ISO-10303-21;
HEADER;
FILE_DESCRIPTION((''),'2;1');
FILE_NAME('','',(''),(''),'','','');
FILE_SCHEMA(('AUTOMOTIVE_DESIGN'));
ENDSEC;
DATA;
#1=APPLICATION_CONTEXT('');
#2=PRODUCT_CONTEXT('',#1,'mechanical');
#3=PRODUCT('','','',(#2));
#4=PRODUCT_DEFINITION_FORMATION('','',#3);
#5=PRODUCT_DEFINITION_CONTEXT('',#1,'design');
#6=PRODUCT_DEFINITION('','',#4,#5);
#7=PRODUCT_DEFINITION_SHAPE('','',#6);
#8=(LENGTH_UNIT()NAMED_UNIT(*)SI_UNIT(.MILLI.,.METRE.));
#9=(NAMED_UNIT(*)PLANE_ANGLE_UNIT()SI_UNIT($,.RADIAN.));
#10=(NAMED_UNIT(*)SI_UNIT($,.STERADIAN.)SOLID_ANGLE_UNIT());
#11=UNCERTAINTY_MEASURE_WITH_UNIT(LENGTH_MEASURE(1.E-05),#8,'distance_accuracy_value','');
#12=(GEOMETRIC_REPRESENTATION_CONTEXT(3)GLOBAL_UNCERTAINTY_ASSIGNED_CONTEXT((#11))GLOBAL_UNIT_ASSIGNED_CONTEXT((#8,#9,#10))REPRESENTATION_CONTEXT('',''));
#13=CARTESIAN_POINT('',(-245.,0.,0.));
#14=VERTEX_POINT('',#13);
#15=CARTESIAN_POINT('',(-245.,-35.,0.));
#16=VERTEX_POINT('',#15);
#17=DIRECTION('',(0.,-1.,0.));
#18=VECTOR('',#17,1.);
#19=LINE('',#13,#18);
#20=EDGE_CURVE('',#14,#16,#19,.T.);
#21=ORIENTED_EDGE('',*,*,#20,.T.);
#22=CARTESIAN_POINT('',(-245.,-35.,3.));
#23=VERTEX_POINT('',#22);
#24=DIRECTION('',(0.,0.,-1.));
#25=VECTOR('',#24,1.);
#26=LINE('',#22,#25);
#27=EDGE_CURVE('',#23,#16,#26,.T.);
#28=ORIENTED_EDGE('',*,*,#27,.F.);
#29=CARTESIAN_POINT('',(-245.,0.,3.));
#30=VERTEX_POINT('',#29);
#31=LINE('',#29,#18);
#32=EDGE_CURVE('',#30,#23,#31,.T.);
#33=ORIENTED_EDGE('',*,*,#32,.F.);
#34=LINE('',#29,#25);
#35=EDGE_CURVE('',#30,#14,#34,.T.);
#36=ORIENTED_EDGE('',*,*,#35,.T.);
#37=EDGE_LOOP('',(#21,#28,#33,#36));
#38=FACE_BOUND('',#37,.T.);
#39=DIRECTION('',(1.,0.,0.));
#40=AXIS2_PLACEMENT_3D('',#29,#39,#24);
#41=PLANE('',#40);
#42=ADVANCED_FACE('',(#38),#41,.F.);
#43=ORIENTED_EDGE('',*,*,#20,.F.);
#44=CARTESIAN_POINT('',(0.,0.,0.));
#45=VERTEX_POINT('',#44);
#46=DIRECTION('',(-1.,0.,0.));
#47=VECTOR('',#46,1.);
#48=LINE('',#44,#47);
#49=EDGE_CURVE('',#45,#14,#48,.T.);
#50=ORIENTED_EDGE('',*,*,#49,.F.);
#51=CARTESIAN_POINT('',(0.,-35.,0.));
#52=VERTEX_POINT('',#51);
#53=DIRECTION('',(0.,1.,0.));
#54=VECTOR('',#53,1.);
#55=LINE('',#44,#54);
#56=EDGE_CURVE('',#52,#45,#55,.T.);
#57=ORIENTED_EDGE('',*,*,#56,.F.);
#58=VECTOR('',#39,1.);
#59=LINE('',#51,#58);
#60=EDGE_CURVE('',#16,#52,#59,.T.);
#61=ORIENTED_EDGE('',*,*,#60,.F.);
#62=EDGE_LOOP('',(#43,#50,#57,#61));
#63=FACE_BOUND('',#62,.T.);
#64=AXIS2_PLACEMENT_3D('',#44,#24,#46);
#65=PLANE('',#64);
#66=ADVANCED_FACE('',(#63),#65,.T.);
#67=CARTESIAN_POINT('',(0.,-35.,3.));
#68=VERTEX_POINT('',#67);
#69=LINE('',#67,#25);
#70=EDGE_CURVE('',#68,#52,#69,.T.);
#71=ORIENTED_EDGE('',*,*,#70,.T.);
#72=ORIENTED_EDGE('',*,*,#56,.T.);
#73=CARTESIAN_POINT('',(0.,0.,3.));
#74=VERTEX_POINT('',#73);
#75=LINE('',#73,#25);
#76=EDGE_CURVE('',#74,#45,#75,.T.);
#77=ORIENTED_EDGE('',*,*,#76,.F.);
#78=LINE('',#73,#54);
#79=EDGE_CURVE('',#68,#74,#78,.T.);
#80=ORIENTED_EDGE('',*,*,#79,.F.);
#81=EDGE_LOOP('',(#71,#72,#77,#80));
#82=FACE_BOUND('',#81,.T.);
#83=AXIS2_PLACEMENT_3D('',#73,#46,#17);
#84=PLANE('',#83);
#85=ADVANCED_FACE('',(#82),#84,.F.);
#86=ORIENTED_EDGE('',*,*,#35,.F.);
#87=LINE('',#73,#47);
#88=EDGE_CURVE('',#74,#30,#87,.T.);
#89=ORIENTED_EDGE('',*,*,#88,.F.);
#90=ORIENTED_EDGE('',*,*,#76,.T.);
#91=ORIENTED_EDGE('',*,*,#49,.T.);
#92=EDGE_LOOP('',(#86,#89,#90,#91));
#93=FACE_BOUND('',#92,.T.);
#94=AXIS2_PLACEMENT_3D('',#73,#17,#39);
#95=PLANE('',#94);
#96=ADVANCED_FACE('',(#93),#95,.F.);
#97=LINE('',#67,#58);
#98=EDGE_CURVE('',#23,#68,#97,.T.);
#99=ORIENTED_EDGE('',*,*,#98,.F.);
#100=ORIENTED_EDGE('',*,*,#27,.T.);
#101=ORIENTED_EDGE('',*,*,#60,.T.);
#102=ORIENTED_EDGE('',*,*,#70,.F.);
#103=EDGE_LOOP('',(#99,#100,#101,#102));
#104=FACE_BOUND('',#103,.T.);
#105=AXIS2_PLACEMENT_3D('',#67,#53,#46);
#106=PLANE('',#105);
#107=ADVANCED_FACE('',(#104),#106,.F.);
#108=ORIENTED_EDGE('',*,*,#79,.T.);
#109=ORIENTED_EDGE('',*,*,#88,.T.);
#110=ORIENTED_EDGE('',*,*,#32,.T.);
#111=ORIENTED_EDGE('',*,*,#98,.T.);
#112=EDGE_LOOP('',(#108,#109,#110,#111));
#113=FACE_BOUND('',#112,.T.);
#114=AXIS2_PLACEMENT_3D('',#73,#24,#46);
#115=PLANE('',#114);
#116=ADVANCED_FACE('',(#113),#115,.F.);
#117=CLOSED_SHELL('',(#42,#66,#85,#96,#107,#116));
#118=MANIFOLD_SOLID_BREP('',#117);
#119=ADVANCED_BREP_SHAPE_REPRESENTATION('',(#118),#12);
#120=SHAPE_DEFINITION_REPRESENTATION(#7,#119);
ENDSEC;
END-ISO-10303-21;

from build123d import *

# Parameters (mm, degrees)
SKETCH_1_W      = 245
SKETCH_1_H      = 35
EXTRUDE_1_DEPTH = 3


with BuildPart() as part:
    # 草图1 → 凸台-拉伸1 (new body)
    with BuildSketch(Plane.XY):
        with Locations((-122.5, -17.5)):
            Rectangle(SKETCH_1_W, SKETCH_1_H)
    extrude(amount=EXTRUDE_1_DEPTH)


solid = part.part
